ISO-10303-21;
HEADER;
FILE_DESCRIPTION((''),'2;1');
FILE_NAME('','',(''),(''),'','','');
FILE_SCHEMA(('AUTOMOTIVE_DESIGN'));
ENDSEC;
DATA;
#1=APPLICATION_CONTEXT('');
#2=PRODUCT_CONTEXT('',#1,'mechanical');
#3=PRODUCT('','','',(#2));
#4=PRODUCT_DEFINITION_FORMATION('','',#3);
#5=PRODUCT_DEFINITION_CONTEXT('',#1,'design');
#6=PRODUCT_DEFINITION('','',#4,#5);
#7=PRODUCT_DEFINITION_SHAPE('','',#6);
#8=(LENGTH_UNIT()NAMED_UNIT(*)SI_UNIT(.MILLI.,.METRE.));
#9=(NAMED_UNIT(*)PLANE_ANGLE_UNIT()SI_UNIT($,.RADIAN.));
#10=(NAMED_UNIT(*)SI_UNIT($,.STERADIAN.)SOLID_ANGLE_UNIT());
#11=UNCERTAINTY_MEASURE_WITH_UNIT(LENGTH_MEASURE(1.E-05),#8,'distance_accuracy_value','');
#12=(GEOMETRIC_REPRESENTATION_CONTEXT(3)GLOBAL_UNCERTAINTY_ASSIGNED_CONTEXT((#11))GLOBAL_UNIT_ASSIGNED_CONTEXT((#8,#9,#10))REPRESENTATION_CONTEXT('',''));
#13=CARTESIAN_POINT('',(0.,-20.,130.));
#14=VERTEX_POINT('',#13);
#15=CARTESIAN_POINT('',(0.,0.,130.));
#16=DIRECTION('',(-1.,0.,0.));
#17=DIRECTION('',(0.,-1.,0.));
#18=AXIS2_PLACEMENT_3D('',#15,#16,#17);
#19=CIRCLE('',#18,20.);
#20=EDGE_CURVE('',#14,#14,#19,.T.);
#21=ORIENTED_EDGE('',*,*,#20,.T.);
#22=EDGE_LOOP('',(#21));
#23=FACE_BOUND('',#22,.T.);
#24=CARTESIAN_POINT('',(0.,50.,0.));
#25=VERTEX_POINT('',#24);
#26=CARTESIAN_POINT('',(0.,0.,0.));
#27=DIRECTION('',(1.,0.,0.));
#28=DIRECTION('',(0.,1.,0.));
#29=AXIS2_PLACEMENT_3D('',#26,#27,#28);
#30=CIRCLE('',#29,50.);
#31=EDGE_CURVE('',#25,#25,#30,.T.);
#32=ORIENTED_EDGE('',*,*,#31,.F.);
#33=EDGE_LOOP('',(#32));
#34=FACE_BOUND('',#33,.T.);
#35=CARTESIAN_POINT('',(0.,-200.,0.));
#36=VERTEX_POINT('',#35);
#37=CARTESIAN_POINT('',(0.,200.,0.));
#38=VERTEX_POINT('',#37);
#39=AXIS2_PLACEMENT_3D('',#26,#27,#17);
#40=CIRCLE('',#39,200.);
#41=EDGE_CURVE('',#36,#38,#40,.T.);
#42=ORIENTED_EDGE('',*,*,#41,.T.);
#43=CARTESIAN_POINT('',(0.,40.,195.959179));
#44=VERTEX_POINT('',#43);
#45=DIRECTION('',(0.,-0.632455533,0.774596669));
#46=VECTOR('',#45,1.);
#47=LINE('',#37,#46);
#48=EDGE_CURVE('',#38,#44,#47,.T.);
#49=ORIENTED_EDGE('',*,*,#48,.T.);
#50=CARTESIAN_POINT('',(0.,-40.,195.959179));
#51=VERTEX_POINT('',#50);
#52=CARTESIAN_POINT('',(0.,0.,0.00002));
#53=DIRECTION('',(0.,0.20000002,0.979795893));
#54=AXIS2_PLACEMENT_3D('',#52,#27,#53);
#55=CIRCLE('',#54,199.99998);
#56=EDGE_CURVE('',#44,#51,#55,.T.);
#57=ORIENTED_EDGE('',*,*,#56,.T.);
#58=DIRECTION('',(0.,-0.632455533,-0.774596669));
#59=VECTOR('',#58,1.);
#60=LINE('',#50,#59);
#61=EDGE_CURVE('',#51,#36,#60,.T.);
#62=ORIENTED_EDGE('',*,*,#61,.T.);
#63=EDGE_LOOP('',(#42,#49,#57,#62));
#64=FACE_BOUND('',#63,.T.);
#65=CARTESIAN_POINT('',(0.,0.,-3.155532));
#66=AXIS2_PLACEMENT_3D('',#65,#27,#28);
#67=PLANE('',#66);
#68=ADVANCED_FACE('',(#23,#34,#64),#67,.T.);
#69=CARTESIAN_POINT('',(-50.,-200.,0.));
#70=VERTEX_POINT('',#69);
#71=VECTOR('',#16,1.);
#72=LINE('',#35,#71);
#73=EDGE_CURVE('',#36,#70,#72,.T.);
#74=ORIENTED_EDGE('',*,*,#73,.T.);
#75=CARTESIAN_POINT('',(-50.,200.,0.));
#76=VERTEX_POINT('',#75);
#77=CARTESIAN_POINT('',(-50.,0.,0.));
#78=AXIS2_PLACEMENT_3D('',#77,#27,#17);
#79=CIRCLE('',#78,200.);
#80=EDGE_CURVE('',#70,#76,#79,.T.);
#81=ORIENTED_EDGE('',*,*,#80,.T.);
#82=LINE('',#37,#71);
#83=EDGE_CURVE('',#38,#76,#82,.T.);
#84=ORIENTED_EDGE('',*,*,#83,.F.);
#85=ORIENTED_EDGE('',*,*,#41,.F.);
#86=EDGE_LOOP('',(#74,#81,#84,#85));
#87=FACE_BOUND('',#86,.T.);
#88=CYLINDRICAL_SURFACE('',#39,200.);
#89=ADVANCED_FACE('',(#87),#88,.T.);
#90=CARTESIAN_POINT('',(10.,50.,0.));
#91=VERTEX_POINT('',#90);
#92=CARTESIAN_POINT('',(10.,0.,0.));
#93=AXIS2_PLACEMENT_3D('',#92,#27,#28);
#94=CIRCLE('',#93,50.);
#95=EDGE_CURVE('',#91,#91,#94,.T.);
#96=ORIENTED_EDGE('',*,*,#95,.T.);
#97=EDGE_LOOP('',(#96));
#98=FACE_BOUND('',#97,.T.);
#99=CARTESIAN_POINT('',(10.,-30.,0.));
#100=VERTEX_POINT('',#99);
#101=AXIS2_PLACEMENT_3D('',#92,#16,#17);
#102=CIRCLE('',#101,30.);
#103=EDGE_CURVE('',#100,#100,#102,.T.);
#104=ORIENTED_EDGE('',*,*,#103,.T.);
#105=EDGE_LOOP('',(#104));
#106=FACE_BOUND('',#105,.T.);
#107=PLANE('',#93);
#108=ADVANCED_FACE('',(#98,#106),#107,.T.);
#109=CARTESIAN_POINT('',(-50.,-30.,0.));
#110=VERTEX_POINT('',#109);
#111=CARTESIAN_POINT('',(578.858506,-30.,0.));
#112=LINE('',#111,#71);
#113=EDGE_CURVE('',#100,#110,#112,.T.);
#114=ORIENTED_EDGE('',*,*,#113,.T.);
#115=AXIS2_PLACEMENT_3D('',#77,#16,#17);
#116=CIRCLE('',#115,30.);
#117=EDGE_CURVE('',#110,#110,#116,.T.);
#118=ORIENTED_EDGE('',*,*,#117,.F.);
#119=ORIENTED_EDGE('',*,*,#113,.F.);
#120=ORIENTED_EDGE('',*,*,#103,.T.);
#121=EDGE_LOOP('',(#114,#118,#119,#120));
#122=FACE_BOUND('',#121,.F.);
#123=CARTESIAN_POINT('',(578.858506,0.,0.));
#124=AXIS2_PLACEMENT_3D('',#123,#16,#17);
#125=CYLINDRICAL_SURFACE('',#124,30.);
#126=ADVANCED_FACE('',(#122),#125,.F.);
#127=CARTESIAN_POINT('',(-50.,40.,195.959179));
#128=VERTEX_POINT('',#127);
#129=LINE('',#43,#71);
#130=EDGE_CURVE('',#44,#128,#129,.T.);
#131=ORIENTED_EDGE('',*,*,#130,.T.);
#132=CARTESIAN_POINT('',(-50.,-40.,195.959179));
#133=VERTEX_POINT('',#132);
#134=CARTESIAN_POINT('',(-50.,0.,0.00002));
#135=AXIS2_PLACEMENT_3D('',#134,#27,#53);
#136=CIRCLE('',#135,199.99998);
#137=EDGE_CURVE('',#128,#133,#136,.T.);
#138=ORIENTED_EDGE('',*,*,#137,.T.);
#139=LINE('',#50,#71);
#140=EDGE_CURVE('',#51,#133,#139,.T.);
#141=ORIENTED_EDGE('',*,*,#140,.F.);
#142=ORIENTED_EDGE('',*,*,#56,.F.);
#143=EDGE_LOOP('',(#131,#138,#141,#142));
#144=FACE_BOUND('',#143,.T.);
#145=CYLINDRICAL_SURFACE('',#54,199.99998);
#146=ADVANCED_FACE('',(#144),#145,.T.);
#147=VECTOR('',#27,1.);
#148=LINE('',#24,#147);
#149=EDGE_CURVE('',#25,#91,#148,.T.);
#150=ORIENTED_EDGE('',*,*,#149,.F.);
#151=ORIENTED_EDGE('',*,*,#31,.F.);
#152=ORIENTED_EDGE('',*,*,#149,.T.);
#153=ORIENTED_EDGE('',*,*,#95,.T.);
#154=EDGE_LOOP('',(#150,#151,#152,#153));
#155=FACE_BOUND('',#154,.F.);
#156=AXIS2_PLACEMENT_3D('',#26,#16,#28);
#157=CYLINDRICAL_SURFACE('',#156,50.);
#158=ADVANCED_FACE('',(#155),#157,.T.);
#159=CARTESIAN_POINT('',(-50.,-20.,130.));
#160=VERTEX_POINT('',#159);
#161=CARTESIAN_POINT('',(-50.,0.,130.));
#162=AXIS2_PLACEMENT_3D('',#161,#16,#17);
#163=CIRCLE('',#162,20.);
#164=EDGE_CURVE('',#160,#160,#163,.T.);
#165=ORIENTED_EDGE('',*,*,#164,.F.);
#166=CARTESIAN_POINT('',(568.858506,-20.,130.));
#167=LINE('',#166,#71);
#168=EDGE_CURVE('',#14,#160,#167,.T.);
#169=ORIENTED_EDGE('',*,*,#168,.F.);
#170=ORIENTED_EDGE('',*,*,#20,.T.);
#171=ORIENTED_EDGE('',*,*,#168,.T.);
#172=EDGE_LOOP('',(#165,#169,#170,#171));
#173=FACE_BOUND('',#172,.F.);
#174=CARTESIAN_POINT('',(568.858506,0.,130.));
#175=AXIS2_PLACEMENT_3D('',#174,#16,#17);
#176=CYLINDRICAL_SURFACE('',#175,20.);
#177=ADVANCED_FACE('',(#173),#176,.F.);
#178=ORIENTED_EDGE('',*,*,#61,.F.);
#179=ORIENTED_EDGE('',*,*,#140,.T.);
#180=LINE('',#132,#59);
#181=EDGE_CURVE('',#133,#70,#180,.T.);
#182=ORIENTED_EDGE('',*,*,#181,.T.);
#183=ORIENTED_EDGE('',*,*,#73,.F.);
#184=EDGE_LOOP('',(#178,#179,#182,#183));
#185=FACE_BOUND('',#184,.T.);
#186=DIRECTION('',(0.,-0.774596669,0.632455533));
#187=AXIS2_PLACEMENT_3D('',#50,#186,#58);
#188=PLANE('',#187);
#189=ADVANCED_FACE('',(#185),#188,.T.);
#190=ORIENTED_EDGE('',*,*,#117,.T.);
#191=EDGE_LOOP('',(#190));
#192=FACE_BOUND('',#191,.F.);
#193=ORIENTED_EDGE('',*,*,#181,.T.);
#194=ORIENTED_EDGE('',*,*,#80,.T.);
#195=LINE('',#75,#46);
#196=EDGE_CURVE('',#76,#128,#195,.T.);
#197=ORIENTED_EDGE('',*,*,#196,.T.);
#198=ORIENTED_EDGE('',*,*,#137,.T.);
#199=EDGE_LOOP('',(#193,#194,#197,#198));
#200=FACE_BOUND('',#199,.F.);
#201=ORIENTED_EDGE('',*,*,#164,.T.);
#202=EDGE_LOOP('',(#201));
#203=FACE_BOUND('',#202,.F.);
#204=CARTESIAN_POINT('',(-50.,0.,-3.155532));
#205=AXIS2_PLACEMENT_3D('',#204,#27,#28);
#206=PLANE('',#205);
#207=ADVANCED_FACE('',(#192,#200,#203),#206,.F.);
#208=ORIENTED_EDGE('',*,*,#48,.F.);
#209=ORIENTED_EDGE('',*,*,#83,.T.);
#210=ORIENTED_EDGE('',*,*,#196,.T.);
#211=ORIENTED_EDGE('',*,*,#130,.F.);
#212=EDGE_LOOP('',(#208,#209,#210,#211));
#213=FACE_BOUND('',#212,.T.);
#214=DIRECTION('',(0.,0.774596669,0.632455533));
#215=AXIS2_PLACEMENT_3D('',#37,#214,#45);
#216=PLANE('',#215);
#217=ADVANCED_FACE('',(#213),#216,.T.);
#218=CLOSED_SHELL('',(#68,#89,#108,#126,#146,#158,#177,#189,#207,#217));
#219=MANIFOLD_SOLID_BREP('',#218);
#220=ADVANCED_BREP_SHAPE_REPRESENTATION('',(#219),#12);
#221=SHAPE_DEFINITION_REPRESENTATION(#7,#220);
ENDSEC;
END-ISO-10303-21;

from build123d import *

# Parameters (mm, degrees)
F0_R     = 50
F1_DEPTH = 50
F2_DEPTH = 10
F4_D     = 60
F5_D     = 40


with BuildPart() as f1:
    # F0 (on Right) → F1 (new body)
    with BuildSketch(Plane.YZ):
        with BuildLine():
            Line((-40, 195.959179), (-200, 0))
            ThreePointArc((-200, 0), (0, -200), (200, 0))
            Line((200, 0), (40, 195.959179))
            ThreePointArc((40, 195.959179), (0, 200), (-40, 195.959179))
        make_face()
        Circle(F0_R, mode=Mode.SUBTRACT)
        Circle(F0_R)
    extrude(amount=-F1_DEPTH)

    # F0 (on Right) → F2 (join)
    with BuildSketch(Plane.YZ):
        Circle(F0_R)
    extrude(amount=F2_DEPTH)

    # F4 (through all)
    with Locations(Plane.YZ.offset(10)):
        with Locations((0, 0)):
            Hole(F4_D / 2)

    # F5 (through all)
    with Locations(Plane.YZ):
        with Locations((0, 130)):
            Hole(F5_D / 2)


solid = f1.part
